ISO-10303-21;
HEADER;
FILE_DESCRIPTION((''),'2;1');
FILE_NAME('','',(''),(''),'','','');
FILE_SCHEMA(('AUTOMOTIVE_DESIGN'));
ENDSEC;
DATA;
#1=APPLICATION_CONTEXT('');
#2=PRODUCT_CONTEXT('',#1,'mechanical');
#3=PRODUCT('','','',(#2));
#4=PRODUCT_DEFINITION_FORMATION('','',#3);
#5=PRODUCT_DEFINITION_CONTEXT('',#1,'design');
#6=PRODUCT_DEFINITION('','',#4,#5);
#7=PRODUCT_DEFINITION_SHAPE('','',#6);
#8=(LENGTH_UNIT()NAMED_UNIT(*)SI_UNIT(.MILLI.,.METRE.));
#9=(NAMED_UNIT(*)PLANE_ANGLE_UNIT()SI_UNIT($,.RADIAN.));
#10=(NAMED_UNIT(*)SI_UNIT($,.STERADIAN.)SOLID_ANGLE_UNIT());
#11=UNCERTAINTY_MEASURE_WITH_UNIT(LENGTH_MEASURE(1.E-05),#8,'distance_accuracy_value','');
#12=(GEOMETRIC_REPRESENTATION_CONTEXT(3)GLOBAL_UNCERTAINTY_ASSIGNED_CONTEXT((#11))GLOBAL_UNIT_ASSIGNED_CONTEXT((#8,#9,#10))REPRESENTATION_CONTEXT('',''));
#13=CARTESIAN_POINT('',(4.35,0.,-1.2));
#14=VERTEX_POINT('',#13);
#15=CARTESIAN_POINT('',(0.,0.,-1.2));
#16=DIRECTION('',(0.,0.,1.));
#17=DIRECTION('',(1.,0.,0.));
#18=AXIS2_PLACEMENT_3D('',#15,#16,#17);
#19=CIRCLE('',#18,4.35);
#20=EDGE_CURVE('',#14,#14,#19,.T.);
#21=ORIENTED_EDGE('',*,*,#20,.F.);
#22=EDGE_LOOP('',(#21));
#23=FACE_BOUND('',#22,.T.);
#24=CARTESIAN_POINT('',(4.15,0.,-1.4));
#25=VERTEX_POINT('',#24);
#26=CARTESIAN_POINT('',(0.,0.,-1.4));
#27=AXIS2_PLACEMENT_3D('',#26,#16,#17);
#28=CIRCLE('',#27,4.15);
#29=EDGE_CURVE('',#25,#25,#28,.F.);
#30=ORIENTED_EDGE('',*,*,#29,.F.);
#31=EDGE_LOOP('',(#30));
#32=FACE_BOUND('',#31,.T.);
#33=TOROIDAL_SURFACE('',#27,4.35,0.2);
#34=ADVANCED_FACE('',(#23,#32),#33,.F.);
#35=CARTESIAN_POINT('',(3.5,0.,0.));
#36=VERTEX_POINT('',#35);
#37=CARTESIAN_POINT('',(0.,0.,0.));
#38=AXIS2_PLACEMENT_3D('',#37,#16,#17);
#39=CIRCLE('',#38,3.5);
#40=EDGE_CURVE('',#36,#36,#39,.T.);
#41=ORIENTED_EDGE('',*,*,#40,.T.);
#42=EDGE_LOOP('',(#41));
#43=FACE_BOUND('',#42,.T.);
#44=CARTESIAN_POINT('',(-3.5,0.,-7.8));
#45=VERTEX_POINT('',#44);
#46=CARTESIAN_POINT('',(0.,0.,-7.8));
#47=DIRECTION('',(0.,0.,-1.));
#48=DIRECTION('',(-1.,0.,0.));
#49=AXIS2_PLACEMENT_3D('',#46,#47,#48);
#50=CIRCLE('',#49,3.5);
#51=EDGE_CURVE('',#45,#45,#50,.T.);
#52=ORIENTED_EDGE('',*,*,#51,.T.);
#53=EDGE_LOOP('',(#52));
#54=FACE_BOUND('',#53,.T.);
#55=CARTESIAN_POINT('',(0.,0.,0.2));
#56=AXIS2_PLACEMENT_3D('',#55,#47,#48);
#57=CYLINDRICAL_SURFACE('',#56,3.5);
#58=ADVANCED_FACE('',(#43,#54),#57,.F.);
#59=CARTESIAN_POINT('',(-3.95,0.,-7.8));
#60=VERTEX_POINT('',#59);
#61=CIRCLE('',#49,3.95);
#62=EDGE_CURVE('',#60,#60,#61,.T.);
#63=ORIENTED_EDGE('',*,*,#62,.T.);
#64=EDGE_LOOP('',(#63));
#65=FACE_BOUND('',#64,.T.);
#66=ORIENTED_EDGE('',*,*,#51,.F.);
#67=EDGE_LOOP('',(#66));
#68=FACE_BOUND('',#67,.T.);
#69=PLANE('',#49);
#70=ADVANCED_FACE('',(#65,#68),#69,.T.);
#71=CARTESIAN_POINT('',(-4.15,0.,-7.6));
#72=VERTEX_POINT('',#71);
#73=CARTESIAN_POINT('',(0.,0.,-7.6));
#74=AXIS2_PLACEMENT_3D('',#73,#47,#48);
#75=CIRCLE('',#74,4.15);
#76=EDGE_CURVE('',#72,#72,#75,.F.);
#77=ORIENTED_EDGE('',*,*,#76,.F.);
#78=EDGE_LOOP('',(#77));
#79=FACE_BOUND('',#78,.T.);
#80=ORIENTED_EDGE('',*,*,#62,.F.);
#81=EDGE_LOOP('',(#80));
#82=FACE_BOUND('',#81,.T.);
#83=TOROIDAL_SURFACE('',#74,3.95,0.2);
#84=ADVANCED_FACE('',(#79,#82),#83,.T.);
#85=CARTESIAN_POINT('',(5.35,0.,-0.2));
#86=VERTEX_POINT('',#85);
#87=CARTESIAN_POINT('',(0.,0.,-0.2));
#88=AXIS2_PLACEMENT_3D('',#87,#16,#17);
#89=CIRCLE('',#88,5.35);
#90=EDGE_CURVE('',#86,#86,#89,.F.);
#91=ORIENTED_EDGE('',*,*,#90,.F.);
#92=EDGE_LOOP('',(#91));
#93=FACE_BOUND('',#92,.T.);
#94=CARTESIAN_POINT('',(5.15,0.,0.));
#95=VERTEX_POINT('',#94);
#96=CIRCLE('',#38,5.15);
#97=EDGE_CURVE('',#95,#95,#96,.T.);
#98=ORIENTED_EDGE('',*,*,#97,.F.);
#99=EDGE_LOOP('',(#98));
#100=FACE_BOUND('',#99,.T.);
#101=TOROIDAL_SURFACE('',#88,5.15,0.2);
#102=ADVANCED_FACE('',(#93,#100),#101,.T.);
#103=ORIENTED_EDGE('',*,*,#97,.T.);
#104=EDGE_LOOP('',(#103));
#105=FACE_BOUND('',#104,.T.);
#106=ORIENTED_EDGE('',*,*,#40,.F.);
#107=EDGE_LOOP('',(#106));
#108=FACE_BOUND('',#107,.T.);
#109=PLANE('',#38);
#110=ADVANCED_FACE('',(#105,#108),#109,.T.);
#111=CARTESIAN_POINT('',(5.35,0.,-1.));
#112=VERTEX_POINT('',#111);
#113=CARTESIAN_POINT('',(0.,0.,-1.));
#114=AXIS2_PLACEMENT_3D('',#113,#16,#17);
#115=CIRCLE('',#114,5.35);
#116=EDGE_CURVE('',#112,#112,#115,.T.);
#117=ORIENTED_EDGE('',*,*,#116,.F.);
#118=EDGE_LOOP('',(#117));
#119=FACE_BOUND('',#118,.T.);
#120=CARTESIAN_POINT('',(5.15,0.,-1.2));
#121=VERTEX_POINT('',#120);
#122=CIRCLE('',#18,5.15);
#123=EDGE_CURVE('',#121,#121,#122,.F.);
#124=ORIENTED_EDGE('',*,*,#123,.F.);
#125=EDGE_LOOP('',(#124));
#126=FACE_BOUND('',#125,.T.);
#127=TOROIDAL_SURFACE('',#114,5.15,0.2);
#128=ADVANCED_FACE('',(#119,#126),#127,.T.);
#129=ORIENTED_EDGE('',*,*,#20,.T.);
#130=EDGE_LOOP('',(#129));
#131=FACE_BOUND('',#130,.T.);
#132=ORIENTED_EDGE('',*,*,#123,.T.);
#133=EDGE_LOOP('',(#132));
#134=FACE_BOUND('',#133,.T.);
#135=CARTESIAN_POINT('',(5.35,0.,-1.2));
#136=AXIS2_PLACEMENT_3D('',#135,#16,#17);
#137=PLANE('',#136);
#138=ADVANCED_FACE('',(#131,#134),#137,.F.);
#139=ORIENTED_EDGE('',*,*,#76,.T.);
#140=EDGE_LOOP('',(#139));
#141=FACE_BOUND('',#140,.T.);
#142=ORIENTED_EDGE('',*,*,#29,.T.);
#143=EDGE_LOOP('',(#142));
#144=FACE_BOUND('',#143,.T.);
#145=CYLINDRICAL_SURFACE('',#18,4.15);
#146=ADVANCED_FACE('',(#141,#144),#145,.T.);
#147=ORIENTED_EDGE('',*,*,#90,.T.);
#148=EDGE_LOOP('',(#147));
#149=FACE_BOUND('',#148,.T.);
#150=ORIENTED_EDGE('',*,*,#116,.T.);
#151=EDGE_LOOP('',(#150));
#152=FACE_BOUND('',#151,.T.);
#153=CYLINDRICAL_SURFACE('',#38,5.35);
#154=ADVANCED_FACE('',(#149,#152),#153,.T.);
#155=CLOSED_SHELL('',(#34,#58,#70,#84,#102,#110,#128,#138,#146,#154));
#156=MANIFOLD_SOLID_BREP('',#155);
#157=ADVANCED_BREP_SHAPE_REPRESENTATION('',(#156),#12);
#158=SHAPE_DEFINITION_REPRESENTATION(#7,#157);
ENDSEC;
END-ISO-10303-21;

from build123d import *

# Parameters (mm, degrees)
CROQUIS1_W            = 5.35
CROQUIS1_H            = 7.8
CROQUIS4_R            = 3.5
CORTAR_EXTRUIR1_DEPTH = 8
CROQUIS3_W            = 1.2
CROQUIS3_H            = 6.6
REDONDEO1_R           = 0.2
REDONDEO2_R           = 0.2
REDONDEO3_R           = 0.2


with BuildPart() as part:
    # Croquis1 → Revolución1 (revolve)
    with BuildSketch(Plane(origin=(0, 0, 0), x_dir=(1, 0, 0), z_dir=(0, 1, 0))):
        with Locations((2.675, 3.9)):
            Rectangle(CROQUIS1_W, CROQUIS1_H)
    revolve(axis=Axis((0, 0, 0), (0, 0, -1)))

    # Croquis4 → Cortar-Extruir1 (cut)
    with BuildSketch(Plane(origin=(0, 0, -7.8), x_dir=(-1, 0, 0), z_dir=(0, 0, -1))):
        Circle(CROQUIS4_R)
    extrude(amount=-CORTAR_EXTRUIR1_DEPTH, mode=Mode.SUBTRACT)

    # Croquis3 → Cortar-Revolución1 (revolve, cut)
    with BuildSketch(Plane(origin=(0, 0, 0), x_dir=(1, 0, 0), z_dir=(0, 1, 0))):
        with Locations((4.75, 4.5)):
            Rectangle(CROQUIS3_W, CROQUIS3_H)
    revolve(axis=Axis((0, 0, -1.2), (0, 0, -1)), mode=Mode.SUBTRACT)

    # Redondeo1
    redondeo1_edges = [part.edges().sort_by_distance(p)[0] for p in [
        (-4.15, 0, -7.8),
    ]]
    fillet(redondeo1_edges, radius=REDONDEO1_R)

    # Redondeo2
    redondeo2_edges = [part.edges().sort_by_distance(p)[0] for p in [
        (-4.15, 0, -1.2),
    ]]
    fillet(redondeo2_edges, radius=REDONDEO2_R)

    # Redondeo3
    redondeo3_edges = [part.edges().sort_by_distance(p)[0] for p in [
        (-5.35, 0, -1.2),
        (-5.35, 0, 0),
    ]]
    fillet(redondeo3_edges, radius=REDONDEO3_R)


solid = part.part
